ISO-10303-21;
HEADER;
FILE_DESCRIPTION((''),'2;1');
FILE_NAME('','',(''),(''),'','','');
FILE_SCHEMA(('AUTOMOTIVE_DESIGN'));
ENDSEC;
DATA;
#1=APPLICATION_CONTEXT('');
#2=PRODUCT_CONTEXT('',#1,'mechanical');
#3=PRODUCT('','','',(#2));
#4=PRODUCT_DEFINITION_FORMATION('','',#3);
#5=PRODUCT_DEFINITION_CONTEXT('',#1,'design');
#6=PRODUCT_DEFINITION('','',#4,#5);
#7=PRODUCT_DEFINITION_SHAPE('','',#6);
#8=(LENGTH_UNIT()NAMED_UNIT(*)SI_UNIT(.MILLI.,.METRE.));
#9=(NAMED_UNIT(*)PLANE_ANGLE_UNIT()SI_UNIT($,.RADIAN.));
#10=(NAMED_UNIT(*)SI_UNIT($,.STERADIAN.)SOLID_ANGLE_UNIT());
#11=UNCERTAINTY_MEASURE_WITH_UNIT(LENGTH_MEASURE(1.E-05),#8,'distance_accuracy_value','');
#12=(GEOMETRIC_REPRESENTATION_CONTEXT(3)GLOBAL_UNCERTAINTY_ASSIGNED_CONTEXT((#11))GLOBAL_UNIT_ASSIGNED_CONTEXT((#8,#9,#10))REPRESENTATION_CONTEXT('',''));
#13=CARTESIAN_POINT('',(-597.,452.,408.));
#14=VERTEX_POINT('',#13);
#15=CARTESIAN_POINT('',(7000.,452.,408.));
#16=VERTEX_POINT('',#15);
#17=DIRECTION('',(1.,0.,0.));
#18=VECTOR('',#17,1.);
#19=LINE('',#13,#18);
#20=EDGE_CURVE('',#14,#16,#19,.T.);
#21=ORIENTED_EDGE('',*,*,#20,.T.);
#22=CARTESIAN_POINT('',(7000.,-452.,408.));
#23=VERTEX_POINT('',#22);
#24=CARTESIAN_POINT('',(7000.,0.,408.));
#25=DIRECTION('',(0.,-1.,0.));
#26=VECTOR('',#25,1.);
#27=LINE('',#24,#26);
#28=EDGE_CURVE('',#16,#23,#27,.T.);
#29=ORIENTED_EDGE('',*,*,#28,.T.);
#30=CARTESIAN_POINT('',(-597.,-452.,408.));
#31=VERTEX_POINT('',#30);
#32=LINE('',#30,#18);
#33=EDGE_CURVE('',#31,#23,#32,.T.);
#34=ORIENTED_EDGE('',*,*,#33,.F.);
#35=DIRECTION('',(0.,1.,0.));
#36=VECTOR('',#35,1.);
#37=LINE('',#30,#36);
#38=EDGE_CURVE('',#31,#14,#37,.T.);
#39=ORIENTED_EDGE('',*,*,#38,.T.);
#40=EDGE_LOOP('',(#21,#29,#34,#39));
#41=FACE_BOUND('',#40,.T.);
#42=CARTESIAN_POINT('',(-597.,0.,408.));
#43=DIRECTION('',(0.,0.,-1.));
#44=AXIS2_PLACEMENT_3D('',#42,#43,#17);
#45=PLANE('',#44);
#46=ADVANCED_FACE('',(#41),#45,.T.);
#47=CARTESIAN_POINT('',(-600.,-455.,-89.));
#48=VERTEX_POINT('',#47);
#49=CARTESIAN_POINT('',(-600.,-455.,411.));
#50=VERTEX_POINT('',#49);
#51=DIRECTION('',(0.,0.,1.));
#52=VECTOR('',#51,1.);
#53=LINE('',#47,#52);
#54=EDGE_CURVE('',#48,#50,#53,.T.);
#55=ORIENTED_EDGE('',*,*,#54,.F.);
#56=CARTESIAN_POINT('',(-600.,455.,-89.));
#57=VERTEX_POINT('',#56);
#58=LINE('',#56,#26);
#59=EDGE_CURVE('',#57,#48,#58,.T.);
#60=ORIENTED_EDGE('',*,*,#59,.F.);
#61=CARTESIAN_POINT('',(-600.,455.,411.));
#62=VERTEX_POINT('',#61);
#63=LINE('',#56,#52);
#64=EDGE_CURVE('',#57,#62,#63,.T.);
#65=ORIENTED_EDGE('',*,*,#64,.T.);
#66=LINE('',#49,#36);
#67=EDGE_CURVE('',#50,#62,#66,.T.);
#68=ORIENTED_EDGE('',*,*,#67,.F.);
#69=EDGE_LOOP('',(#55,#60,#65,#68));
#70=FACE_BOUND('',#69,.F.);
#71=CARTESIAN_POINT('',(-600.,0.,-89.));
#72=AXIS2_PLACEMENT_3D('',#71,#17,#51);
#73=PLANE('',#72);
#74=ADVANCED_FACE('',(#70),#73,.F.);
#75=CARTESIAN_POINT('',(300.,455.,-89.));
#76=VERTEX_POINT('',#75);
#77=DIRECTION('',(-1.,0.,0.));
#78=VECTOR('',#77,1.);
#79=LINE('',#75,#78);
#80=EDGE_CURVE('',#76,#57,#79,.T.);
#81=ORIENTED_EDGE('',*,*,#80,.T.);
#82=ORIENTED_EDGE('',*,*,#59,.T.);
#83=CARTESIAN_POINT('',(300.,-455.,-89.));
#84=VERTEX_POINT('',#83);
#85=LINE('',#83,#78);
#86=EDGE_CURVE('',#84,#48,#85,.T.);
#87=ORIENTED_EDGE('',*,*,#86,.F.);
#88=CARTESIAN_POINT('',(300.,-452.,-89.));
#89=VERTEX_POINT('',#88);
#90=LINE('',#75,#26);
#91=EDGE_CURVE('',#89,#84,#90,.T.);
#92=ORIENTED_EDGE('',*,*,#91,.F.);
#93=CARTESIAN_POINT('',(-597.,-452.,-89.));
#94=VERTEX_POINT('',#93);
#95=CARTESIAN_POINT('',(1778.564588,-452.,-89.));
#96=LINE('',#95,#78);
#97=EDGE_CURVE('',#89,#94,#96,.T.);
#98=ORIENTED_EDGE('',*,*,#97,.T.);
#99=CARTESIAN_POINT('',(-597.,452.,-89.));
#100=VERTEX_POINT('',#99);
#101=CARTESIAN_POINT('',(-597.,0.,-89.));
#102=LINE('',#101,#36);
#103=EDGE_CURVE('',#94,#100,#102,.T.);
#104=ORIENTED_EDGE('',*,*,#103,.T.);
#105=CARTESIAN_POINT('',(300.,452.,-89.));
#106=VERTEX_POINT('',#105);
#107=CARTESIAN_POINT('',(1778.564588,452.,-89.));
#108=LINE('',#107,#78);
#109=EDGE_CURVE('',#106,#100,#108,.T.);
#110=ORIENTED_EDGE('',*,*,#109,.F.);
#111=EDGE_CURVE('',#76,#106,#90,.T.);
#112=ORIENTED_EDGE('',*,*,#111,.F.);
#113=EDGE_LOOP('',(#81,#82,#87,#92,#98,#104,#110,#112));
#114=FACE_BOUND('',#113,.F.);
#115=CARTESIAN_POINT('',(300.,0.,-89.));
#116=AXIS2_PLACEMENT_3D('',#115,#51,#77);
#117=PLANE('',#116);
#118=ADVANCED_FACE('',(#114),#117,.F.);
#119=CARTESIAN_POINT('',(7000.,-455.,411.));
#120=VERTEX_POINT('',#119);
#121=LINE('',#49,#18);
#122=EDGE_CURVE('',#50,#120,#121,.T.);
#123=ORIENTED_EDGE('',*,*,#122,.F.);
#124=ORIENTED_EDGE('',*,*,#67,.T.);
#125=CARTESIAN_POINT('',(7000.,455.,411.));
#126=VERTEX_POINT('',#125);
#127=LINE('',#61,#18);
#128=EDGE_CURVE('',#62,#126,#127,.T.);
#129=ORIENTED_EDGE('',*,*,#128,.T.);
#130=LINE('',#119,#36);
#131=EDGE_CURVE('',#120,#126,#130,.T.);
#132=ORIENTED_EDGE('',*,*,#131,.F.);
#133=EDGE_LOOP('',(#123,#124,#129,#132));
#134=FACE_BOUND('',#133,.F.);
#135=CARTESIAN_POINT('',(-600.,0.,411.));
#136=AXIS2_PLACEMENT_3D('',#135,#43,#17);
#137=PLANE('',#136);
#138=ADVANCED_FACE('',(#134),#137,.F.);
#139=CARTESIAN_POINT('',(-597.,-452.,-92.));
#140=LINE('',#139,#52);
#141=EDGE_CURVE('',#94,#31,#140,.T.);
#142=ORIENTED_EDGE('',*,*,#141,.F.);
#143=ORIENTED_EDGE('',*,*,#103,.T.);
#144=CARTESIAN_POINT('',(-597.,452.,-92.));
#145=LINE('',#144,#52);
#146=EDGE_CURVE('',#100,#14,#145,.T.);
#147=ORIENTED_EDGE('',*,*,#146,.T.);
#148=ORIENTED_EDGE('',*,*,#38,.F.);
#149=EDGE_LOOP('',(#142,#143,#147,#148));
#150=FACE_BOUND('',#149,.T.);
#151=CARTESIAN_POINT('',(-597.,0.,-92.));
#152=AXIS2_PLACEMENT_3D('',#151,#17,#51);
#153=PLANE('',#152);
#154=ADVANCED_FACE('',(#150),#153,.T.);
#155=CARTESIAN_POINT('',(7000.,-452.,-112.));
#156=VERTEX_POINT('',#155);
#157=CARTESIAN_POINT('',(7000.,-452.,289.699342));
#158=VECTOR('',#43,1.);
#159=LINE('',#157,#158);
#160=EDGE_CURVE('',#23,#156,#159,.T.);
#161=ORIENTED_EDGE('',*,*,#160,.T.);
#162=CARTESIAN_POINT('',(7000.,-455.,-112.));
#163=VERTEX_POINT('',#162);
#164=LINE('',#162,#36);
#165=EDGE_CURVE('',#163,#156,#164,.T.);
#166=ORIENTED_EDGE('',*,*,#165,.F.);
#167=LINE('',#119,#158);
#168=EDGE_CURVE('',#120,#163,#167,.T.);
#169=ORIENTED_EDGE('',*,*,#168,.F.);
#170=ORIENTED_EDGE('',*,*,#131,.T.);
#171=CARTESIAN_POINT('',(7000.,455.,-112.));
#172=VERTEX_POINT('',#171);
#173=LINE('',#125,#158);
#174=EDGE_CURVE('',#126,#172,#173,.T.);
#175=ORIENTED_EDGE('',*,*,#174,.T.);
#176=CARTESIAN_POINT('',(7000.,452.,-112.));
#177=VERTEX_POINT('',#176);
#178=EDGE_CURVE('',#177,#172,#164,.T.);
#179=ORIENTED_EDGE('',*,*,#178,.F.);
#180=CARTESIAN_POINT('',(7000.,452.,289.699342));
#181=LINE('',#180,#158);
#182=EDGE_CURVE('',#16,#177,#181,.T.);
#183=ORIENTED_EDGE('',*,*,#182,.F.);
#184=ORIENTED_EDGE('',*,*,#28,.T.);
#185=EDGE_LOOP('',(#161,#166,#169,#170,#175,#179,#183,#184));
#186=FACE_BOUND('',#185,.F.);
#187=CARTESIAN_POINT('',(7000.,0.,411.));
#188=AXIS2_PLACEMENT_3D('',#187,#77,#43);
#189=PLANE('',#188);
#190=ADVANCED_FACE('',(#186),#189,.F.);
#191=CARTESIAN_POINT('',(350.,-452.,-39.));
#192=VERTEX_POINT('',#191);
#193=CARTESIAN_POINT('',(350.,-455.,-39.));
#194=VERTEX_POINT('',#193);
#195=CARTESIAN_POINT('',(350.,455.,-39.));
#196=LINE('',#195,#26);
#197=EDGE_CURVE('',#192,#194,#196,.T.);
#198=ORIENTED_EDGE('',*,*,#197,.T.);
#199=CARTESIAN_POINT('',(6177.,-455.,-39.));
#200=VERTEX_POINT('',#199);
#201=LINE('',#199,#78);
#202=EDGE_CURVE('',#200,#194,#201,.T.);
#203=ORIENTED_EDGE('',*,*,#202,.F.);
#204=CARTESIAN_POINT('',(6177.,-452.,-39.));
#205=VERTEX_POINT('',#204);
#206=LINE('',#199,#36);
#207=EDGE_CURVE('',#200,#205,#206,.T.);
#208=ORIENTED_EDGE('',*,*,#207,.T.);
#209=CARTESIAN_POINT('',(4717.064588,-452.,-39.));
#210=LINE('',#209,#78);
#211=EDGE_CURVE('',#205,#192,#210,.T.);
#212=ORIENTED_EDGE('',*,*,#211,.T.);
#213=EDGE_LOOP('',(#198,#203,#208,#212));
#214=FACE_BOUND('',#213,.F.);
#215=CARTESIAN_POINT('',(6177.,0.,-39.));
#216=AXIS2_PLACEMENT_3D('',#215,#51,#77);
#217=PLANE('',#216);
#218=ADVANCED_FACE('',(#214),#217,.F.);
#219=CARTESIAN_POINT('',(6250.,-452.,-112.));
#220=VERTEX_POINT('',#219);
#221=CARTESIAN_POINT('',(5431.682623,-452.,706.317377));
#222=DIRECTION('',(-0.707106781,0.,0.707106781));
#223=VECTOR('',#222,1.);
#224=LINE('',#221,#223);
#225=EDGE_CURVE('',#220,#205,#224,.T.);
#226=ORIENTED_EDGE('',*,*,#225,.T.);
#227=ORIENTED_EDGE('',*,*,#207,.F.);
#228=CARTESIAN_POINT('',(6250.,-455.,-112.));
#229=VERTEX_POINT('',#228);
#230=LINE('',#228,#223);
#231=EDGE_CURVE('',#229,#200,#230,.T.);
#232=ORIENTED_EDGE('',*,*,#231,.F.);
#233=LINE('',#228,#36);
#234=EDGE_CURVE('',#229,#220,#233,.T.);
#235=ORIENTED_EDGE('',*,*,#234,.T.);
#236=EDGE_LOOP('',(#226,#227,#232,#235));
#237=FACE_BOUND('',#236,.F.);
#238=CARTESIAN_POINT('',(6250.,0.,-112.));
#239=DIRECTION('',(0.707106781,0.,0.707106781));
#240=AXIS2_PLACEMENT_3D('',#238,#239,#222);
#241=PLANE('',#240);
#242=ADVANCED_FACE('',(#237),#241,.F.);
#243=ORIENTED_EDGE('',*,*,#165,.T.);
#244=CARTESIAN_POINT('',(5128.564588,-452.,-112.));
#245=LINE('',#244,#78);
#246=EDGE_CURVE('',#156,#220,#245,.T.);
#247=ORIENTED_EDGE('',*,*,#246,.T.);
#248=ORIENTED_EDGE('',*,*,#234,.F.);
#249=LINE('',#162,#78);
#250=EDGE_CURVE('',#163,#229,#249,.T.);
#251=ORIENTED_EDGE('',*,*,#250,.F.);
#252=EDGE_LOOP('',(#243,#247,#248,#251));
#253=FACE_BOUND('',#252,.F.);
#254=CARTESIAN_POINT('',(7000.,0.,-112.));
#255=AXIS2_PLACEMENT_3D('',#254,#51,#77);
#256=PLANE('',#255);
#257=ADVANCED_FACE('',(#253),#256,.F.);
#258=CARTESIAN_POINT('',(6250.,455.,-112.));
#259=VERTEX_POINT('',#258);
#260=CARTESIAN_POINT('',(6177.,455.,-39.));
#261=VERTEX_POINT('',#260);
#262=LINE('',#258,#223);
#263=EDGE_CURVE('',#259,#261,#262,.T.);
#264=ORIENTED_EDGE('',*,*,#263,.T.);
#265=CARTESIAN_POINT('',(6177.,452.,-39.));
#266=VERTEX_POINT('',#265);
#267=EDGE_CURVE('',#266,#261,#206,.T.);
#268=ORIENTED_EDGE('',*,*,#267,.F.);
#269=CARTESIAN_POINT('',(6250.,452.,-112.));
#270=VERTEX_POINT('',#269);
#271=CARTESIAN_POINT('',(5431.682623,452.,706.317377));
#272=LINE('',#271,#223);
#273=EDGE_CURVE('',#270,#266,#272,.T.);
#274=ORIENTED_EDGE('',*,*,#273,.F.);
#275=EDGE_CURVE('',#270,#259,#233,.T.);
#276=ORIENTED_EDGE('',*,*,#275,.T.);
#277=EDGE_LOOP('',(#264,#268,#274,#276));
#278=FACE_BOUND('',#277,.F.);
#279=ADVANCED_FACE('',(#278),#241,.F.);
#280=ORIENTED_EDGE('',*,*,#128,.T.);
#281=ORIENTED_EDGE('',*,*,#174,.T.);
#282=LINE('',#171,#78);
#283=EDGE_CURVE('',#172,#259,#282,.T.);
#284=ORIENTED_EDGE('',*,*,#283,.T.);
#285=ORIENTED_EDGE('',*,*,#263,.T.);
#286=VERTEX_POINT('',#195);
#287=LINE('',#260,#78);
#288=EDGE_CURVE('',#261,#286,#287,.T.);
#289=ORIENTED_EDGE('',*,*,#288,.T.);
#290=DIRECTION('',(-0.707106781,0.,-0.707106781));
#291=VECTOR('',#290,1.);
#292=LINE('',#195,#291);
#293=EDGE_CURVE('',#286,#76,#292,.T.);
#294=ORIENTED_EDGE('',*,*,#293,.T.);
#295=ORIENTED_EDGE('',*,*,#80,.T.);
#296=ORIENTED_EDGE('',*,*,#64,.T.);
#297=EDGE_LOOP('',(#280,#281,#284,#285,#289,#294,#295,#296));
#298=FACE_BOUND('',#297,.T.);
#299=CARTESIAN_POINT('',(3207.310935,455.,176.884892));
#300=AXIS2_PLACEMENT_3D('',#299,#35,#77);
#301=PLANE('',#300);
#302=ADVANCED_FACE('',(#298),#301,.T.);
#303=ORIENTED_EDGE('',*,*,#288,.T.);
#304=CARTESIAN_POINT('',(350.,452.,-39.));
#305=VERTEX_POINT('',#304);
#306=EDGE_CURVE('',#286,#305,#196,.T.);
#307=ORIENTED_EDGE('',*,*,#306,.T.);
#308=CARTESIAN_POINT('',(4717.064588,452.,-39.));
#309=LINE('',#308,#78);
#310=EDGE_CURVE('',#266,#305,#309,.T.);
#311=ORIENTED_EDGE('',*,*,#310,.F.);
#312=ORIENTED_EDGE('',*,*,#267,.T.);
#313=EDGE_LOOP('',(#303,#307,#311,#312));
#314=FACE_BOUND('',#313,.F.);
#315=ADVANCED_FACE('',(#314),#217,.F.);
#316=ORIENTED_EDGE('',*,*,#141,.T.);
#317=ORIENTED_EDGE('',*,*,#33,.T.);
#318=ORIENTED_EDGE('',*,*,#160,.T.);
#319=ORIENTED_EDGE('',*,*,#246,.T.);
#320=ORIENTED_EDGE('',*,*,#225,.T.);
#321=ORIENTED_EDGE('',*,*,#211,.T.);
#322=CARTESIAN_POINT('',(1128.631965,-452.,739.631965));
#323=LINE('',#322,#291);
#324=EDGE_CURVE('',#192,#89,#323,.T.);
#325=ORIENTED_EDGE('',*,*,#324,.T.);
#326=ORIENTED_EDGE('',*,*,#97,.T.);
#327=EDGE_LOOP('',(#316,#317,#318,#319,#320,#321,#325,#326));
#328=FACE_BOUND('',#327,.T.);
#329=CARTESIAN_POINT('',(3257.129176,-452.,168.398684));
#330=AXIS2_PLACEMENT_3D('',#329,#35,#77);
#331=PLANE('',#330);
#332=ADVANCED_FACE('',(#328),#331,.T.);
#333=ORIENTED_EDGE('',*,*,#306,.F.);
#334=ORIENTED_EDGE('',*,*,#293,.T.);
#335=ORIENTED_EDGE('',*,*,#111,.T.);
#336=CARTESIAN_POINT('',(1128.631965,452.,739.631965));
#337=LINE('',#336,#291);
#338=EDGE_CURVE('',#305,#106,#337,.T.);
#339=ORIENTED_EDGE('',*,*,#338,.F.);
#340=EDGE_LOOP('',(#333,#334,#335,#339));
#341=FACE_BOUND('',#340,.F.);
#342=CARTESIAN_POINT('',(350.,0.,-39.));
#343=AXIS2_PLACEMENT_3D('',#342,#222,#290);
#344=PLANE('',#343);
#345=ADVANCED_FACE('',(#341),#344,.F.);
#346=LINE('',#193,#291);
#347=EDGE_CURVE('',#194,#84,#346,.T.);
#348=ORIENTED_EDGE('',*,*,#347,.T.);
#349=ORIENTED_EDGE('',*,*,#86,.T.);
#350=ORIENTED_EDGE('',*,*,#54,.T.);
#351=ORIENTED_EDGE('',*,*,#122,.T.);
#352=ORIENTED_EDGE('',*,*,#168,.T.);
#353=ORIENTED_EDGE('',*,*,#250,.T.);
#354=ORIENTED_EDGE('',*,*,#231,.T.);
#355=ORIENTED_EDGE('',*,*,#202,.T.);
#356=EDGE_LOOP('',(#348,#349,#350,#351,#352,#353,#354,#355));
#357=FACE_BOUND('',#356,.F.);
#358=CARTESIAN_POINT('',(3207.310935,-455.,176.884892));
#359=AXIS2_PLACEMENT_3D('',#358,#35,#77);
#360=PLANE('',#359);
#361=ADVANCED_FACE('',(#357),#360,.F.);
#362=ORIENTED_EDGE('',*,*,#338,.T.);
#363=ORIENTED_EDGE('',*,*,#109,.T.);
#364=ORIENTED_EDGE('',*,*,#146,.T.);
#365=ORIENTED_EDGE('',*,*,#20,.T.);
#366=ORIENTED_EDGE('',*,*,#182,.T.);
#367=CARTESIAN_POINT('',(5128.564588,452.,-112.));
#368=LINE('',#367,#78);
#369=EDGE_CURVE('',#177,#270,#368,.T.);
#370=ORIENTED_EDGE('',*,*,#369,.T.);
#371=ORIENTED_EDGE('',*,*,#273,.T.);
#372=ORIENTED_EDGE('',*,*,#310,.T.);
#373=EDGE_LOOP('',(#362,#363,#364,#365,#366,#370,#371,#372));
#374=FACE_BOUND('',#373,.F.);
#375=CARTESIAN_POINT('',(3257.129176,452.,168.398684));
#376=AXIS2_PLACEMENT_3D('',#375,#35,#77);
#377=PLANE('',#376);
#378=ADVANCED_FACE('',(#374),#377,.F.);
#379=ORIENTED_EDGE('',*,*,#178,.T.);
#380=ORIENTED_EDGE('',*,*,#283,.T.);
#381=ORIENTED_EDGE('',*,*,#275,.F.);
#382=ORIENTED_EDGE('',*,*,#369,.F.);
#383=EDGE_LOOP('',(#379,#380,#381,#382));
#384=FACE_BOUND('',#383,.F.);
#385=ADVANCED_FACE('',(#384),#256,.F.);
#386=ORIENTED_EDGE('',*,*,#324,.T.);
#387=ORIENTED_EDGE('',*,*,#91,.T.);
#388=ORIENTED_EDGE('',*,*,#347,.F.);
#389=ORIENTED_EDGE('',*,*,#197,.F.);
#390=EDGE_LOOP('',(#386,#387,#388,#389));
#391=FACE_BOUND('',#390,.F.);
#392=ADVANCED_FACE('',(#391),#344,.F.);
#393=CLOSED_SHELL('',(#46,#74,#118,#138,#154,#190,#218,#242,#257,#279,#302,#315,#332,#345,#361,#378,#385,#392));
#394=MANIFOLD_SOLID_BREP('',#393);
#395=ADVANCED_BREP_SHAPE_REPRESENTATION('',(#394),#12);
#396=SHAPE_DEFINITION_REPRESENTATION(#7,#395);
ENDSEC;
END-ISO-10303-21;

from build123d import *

# Parameters (mm, degrees)
EXTRUDE032_DEPTH = 452
EXTRUDE012_DEPTH = 455


with BuildPart() as extrude032:
    # Sketch033 → Extrude032 (new body, symmetric)
    with BuildSketch(Plane.XZ):
        Polygon((-597, -89), (-597, 411), (7097, 411), (7097, -112), (6247, -112), (6189, -54), (335, -54), (300, -89), align=None)
    extrude(amount=EXTRUDE032_DEPTH, both=True)


with BuildPart() as extrude032_1:
    # Extrude032 placement: moved
    add(extrude032.part.moved(Location((0, 0, -3))))


with BuildPart() as cut003:
    # Sketch020 → Extrude012 (new body, symmetric)
    with BuildSketch(Plane.XZ):
        Polygon((-600, -89), (-600, 411), (7000, 411), (7000, -112), (6250, -112), (6177, -39), (350, -39), (300, -89), align=None)
    extrude(amount=EXTRUDE012_DEPTH, both=True)

    # Cut003: cut Extrude032
    add(extrude032_1.part, mode=Mode.SUBTRACT)


solid = cut003.part
